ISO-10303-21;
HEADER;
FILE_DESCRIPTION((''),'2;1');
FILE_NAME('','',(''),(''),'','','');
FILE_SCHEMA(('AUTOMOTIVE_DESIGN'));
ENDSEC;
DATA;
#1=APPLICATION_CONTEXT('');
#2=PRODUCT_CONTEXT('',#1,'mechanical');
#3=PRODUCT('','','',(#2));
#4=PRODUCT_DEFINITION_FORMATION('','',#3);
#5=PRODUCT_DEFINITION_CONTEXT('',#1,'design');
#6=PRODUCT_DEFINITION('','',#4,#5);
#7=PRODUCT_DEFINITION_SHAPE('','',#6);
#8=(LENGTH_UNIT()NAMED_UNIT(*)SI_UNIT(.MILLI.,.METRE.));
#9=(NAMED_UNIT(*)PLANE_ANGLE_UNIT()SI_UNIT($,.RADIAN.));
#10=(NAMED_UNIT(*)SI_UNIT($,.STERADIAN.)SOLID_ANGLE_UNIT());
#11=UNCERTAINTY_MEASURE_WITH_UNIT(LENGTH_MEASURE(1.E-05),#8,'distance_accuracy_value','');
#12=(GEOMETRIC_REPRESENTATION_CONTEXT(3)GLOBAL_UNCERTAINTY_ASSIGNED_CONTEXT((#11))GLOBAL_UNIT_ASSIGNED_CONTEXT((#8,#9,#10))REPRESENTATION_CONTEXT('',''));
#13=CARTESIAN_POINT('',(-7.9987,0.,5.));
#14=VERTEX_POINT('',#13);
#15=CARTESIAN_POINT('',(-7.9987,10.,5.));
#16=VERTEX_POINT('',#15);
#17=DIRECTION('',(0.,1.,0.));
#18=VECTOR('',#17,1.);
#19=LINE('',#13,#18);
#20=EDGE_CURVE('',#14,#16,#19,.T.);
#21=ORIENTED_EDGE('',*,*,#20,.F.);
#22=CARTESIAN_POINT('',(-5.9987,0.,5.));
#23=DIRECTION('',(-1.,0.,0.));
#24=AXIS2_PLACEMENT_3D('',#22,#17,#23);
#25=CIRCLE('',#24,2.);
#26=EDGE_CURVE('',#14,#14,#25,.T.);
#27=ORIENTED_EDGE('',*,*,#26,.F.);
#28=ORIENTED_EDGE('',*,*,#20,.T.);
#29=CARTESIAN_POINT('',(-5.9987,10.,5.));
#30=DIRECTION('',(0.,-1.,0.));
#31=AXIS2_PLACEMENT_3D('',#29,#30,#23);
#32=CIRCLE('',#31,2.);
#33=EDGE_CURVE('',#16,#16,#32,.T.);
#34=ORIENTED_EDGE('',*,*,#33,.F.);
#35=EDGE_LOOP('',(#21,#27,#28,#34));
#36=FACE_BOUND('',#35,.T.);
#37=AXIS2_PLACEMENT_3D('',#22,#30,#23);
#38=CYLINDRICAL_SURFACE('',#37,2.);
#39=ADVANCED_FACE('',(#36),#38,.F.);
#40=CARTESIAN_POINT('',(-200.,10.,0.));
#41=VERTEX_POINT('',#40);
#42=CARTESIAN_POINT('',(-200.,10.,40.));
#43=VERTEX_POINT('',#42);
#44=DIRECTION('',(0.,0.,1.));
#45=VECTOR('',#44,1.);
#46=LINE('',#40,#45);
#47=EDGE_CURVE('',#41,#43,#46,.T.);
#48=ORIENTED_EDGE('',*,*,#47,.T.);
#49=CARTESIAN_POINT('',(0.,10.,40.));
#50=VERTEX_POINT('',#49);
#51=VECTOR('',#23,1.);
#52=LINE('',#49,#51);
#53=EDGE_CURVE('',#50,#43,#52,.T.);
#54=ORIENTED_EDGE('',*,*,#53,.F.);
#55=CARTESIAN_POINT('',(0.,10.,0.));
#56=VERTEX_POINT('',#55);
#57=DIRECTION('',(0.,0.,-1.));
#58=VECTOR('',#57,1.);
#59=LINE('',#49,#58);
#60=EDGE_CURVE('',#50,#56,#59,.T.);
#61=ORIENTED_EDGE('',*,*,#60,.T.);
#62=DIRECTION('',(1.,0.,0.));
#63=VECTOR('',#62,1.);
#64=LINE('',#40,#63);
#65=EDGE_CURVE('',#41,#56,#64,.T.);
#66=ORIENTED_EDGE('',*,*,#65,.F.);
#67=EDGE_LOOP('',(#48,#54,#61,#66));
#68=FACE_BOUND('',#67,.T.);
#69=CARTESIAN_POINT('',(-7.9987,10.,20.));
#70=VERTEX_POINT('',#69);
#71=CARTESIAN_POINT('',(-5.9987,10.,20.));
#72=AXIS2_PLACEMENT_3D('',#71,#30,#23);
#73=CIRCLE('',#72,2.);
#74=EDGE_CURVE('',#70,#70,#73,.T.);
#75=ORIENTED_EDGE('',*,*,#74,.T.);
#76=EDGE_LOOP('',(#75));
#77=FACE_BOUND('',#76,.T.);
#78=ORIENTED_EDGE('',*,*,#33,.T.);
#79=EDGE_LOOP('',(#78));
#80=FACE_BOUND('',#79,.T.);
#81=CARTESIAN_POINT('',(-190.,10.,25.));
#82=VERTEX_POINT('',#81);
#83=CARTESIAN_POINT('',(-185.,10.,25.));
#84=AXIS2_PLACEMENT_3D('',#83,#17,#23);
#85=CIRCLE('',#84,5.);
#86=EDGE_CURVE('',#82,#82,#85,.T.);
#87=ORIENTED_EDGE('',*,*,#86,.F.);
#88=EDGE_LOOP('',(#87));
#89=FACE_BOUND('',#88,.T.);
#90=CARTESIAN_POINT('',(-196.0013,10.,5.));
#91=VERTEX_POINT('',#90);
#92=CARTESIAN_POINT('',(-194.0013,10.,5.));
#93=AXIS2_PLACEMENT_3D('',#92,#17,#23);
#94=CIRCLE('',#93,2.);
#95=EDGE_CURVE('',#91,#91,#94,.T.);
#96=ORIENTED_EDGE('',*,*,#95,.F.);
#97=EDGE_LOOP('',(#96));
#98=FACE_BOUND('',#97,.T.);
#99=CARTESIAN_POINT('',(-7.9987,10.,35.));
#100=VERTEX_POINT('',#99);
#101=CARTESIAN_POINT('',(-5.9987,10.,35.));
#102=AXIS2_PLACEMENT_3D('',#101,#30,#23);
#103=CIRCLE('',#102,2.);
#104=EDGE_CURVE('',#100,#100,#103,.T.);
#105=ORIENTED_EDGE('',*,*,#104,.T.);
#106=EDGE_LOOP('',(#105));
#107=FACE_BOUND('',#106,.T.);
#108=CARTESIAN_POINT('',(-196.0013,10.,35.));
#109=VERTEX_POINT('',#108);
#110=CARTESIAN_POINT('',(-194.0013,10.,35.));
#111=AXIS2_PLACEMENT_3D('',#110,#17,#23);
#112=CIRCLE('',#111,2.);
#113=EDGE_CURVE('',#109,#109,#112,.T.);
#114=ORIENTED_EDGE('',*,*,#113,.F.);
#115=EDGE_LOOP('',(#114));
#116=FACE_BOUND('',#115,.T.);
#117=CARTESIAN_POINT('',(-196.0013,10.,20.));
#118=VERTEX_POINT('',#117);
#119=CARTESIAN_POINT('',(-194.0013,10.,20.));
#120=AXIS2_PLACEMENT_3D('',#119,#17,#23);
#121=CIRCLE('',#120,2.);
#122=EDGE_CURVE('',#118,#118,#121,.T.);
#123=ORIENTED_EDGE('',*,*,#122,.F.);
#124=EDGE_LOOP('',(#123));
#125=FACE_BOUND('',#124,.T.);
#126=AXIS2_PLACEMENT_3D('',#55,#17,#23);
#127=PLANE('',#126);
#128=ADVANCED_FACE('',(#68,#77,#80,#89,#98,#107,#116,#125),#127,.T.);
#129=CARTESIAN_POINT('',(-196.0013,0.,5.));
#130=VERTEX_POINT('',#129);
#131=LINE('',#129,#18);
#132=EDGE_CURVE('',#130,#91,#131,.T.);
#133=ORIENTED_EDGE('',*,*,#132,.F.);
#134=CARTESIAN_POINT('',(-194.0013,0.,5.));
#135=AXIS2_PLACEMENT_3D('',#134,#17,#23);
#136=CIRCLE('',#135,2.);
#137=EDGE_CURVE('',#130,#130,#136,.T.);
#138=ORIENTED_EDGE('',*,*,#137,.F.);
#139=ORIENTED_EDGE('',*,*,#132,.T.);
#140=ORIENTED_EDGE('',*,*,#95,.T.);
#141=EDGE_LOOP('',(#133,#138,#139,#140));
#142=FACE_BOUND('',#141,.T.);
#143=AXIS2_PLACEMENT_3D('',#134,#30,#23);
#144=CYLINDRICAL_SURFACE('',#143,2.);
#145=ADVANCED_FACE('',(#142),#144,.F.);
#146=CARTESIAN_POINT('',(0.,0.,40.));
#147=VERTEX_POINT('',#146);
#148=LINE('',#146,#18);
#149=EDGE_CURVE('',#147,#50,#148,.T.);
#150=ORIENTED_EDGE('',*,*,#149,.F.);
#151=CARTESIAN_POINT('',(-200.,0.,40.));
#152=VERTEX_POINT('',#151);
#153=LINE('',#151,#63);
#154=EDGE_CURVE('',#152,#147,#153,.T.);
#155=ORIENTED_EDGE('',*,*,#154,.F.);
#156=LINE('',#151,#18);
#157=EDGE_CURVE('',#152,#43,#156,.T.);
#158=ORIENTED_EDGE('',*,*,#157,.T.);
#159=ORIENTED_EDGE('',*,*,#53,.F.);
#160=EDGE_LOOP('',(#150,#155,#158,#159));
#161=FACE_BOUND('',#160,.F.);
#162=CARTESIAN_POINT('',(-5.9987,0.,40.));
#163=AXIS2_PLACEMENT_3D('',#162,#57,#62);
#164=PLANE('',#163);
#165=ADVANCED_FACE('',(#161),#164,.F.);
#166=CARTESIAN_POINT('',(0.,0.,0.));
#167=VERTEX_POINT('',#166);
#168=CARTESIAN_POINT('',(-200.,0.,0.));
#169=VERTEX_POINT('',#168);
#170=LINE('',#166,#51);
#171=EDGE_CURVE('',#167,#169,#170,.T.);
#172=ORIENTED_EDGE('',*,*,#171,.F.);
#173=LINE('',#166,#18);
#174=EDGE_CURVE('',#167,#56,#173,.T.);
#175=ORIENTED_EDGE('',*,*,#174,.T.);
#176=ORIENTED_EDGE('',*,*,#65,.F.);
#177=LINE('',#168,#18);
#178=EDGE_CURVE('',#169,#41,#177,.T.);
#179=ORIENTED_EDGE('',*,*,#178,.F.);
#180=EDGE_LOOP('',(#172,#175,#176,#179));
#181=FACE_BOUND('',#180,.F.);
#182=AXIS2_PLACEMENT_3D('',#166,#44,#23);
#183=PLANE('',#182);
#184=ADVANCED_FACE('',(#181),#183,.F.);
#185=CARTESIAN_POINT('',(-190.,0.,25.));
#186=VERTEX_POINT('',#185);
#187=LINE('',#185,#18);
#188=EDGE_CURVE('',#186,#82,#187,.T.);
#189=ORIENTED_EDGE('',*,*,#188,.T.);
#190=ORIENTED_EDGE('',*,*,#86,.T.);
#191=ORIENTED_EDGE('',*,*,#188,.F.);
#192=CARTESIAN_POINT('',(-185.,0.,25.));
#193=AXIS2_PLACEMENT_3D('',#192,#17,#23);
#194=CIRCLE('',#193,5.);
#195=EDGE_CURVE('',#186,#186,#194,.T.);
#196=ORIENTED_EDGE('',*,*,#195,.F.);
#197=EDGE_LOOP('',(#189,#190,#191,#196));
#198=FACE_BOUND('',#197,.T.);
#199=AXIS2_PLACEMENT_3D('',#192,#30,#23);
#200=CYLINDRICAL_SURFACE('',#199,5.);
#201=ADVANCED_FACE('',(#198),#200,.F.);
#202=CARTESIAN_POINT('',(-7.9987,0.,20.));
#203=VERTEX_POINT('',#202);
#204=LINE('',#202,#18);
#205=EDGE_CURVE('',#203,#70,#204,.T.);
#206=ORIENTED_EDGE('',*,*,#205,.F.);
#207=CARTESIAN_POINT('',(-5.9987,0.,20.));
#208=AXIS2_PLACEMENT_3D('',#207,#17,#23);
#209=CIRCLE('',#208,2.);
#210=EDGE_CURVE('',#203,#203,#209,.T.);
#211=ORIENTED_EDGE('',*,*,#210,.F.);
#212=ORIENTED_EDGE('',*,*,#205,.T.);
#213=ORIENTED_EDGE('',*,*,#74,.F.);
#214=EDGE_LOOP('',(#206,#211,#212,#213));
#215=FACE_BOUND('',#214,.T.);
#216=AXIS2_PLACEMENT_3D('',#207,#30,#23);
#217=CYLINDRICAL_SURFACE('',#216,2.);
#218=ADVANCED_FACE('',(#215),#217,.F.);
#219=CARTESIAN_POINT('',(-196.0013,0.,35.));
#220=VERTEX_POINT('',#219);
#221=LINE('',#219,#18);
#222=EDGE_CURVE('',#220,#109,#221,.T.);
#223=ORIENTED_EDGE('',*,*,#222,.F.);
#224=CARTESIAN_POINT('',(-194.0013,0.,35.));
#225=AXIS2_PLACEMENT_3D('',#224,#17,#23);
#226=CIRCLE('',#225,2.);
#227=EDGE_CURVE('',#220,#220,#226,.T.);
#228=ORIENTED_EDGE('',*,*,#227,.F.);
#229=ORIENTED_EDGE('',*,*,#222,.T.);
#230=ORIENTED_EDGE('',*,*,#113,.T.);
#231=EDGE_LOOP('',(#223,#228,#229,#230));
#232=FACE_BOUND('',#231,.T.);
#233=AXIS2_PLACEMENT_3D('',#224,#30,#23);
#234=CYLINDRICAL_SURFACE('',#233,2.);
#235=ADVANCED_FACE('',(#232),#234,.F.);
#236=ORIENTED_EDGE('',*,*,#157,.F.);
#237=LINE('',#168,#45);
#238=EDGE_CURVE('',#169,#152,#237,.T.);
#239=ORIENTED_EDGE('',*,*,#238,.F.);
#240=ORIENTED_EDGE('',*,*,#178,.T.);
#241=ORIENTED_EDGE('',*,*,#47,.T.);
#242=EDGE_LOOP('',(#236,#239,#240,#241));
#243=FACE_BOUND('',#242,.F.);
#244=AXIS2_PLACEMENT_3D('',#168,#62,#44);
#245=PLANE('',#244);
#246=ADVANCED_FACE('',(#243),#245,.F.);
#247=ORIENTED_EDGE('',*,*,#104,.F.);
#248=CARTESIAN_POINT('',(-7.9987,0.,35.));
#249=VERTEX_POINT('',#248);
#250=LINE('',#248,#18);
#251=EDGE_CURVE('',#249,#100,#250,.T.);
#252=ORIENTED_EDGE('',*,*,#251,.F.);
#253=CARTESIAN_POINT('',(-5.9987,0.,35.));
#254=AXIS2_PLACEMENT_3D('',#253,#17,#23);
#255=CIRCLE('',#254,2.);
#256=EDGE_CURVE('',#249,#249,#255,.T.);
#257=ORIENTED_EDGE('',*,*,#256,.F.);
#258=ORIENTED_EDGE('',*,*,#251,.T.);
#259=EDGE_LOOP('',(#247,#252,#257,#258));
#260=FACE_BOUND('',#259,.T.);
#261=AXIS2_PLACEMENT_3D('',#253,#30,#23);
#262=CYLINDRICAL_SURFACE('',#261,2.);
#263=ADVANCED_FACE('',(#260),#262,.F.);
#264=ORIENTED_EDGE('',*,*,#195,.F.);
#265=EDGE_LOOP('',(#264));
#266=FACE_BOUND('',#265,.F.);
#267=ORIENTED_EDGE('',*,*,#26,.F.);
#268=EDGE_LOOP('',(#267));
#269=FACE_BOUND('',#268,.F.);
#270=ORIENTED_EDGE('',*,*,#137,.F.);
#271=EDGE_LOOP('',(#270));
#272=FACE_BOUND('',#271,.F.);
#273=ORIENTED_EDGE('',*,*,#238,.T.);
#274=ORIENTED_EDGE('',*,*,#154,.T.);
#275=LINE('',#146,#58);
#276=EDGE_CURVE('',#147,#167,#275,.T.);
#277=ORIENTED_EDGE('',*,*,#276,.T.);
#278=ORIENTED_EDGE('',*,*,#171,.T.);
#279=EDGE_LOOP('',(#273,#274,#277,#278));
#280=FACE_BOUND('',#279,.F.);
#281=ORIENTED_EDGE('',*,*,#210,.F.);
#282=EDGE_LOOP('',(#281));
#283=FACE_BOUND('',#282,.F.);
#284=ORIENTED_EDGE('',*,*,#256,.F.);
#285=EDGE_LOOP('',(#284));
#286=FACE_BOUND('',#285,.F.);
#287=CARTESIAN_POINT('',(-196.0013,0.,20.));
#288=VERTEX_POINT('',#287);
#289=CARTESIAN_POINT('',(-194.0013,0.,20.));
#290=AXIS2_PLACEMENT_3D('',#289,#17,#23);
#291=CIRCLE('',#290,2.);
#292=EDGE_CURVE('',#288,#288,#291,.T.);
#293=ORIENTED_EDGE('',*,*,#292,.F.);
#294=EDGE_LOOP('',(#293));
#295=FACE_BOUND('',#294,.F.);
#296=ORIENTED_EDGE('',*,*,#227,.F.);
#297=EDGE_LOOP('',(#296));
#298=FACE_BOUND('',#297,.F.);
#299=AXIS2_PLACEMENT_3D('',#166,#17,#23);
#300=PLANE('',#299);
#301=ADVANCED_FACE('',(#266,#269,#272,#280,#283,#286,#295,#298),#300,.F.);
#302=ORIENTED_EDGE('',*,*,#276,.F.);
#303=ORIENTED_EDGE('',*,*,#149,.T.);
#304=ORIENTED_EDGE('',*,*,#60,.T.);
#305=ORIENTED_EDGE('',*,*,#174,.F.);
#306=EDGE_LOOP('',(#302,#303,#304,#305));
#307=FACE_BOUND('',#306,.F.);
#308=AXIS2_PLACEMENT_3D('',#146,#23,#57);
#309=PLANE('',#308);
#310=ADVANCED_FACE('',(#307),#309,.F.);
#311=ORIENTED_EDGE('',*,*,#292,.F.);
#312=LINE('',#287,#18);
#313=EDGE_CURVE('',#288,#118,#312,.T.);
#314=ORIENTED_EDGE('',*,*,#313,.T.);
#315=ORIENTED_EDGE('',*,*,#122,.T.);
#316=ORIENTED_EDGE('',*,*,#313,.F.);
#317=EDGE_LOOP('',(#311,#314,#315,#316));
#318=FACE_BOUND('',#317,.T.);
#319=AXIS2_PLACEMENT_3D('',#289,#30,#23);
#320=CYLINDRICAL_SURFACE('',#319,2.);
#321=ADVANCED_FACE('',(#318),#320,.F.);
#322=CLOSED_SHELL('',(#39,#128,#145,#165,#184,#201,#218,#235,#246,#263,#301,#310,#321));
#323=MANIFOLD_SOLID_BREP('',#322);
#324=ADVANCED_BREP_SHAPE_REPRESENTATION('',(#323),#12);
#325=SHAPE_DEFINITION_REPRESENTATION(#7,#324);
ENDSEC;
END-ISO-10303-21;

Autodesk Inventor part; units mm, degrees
ref_plane "YZ Plane" through (0, 0, 0) normal (1, 0, 0) x (0, 1, 0)
ref_plane "XZ Plane" through (0, 0, 0) normal (0, 1, 0) x (-1, 0, 0)
ref_plane "XY Plane" through (0, 0, 0) normal (0, 0, 1) x (1, 0, 0)
sketch "Block1" plane through (0, 0, 0) normal (0, 0, 1) x (1, 0, 0)
  line L0 (0.22, -40.22) -> (-200.22, -40.22)
  line L1 (-200.22, -40.22) -> (-200.22, 0.22)
  line L2 (-200.22, 0.22) -> (0.22, 0.22)
  line L3 (0.22, 0.22) -> (0.22, -40.22)
  circle A0 centre (-5.9987, -35) radius 2.22
  circle A1 centre (-5.9987, -20) radius 2.22
  circle A2 centre (-5.9987, -5) radius 2.22
  circle A3 centre (-185, -25) radius 5.22
  circle A4 centre (-194.0013, -35) radius 2.22
  circle A5 centre (-194.0013, -5) radius 2.22
  circle A6 centre (-194.0013, -20) radius 2.22
  point P0 (-106.5385, -20.3846)
sketch "Sketch1" plane through (0, 0, 0) normal (0, 1, 0) x (-1, 0, 0)
  line L0 (0, 0) -> (200, 0)
  line L1 (200, 0) -> (200, 40)
  line L2 (200, 40) -> (0, 40)
  line L3 (0, 40) -> (0, 0)
  circle A0 centre (5.9987, 5) radius 2
  line L4 (5.9987, -4.5949) -> (5.9987, 47.4768)
  circle A1 centre (5.9987, 35) radius 2
  circle A2 centre (5.9987, 20) radius 2
  line L5 (100, 57.9252) -> (100, -15.7167)
  circle A3 centre (194.0013, 5) radius 2
  circle A4 centre (194.0013, 35) radius 2
  circle A5 centre (194.0013, 20) radius 2
  circle A6 centre (185, 25) radius 5
  dimension "d0" = 200
  dimension "d1" = 40
  dimension "d4" = 4
  dimension "d5" = 4
  dimension "d6" = 5
  dimension "d7" = 5
  dimension "d8" = 4
  dimension "d9" = 20
  dimension "d10" = 100
  dimension "d13" = 10
  dimension "d14" = 15
  dimension "d15" = 15
extrude "Extrusion3" add sketch "Sketch1" along normal blind 10 contours L3 L2 L4 A1 A2 A0 L0 | L4 A0 A2 A1 L2 L5 L0 | L5 L2 L1 L0
sketch "Sketch2" plane through (0, 10, 0) normal (0, 1, 0) x (1, 0, 0)
  circle A0 centre (-185, -25) radius 5 projected
  circle A1 centre (-194.0013, -20) radius 2 projected
  circle A2 centre (-194.0013, -35) radius 2 projected
  circle A3 centre (-194.0013, -5) radius 2 projected
  circle A4 centre (-5.9987, -20) radius 2 projected
  circle A5 centre (-5.9987, -35) radius 2 projected
  circle A6 centre (-5.9987, -5) radius 2 projected
  line L0 (0, 0) -> (-200, 0) projected
  line L1 (-200, 0) -> (-200, -40) projected
  line L2 (-200, -40) -> (0, -40) projected
  line L3 (0, -40) -> (0, 0) projected
sketch "DXF" plane through (0, 0, 0) normal (0, 1, 0) x (-1, 0, 0)
  point P0 (0, 0)
properties part number "gripsupport"
